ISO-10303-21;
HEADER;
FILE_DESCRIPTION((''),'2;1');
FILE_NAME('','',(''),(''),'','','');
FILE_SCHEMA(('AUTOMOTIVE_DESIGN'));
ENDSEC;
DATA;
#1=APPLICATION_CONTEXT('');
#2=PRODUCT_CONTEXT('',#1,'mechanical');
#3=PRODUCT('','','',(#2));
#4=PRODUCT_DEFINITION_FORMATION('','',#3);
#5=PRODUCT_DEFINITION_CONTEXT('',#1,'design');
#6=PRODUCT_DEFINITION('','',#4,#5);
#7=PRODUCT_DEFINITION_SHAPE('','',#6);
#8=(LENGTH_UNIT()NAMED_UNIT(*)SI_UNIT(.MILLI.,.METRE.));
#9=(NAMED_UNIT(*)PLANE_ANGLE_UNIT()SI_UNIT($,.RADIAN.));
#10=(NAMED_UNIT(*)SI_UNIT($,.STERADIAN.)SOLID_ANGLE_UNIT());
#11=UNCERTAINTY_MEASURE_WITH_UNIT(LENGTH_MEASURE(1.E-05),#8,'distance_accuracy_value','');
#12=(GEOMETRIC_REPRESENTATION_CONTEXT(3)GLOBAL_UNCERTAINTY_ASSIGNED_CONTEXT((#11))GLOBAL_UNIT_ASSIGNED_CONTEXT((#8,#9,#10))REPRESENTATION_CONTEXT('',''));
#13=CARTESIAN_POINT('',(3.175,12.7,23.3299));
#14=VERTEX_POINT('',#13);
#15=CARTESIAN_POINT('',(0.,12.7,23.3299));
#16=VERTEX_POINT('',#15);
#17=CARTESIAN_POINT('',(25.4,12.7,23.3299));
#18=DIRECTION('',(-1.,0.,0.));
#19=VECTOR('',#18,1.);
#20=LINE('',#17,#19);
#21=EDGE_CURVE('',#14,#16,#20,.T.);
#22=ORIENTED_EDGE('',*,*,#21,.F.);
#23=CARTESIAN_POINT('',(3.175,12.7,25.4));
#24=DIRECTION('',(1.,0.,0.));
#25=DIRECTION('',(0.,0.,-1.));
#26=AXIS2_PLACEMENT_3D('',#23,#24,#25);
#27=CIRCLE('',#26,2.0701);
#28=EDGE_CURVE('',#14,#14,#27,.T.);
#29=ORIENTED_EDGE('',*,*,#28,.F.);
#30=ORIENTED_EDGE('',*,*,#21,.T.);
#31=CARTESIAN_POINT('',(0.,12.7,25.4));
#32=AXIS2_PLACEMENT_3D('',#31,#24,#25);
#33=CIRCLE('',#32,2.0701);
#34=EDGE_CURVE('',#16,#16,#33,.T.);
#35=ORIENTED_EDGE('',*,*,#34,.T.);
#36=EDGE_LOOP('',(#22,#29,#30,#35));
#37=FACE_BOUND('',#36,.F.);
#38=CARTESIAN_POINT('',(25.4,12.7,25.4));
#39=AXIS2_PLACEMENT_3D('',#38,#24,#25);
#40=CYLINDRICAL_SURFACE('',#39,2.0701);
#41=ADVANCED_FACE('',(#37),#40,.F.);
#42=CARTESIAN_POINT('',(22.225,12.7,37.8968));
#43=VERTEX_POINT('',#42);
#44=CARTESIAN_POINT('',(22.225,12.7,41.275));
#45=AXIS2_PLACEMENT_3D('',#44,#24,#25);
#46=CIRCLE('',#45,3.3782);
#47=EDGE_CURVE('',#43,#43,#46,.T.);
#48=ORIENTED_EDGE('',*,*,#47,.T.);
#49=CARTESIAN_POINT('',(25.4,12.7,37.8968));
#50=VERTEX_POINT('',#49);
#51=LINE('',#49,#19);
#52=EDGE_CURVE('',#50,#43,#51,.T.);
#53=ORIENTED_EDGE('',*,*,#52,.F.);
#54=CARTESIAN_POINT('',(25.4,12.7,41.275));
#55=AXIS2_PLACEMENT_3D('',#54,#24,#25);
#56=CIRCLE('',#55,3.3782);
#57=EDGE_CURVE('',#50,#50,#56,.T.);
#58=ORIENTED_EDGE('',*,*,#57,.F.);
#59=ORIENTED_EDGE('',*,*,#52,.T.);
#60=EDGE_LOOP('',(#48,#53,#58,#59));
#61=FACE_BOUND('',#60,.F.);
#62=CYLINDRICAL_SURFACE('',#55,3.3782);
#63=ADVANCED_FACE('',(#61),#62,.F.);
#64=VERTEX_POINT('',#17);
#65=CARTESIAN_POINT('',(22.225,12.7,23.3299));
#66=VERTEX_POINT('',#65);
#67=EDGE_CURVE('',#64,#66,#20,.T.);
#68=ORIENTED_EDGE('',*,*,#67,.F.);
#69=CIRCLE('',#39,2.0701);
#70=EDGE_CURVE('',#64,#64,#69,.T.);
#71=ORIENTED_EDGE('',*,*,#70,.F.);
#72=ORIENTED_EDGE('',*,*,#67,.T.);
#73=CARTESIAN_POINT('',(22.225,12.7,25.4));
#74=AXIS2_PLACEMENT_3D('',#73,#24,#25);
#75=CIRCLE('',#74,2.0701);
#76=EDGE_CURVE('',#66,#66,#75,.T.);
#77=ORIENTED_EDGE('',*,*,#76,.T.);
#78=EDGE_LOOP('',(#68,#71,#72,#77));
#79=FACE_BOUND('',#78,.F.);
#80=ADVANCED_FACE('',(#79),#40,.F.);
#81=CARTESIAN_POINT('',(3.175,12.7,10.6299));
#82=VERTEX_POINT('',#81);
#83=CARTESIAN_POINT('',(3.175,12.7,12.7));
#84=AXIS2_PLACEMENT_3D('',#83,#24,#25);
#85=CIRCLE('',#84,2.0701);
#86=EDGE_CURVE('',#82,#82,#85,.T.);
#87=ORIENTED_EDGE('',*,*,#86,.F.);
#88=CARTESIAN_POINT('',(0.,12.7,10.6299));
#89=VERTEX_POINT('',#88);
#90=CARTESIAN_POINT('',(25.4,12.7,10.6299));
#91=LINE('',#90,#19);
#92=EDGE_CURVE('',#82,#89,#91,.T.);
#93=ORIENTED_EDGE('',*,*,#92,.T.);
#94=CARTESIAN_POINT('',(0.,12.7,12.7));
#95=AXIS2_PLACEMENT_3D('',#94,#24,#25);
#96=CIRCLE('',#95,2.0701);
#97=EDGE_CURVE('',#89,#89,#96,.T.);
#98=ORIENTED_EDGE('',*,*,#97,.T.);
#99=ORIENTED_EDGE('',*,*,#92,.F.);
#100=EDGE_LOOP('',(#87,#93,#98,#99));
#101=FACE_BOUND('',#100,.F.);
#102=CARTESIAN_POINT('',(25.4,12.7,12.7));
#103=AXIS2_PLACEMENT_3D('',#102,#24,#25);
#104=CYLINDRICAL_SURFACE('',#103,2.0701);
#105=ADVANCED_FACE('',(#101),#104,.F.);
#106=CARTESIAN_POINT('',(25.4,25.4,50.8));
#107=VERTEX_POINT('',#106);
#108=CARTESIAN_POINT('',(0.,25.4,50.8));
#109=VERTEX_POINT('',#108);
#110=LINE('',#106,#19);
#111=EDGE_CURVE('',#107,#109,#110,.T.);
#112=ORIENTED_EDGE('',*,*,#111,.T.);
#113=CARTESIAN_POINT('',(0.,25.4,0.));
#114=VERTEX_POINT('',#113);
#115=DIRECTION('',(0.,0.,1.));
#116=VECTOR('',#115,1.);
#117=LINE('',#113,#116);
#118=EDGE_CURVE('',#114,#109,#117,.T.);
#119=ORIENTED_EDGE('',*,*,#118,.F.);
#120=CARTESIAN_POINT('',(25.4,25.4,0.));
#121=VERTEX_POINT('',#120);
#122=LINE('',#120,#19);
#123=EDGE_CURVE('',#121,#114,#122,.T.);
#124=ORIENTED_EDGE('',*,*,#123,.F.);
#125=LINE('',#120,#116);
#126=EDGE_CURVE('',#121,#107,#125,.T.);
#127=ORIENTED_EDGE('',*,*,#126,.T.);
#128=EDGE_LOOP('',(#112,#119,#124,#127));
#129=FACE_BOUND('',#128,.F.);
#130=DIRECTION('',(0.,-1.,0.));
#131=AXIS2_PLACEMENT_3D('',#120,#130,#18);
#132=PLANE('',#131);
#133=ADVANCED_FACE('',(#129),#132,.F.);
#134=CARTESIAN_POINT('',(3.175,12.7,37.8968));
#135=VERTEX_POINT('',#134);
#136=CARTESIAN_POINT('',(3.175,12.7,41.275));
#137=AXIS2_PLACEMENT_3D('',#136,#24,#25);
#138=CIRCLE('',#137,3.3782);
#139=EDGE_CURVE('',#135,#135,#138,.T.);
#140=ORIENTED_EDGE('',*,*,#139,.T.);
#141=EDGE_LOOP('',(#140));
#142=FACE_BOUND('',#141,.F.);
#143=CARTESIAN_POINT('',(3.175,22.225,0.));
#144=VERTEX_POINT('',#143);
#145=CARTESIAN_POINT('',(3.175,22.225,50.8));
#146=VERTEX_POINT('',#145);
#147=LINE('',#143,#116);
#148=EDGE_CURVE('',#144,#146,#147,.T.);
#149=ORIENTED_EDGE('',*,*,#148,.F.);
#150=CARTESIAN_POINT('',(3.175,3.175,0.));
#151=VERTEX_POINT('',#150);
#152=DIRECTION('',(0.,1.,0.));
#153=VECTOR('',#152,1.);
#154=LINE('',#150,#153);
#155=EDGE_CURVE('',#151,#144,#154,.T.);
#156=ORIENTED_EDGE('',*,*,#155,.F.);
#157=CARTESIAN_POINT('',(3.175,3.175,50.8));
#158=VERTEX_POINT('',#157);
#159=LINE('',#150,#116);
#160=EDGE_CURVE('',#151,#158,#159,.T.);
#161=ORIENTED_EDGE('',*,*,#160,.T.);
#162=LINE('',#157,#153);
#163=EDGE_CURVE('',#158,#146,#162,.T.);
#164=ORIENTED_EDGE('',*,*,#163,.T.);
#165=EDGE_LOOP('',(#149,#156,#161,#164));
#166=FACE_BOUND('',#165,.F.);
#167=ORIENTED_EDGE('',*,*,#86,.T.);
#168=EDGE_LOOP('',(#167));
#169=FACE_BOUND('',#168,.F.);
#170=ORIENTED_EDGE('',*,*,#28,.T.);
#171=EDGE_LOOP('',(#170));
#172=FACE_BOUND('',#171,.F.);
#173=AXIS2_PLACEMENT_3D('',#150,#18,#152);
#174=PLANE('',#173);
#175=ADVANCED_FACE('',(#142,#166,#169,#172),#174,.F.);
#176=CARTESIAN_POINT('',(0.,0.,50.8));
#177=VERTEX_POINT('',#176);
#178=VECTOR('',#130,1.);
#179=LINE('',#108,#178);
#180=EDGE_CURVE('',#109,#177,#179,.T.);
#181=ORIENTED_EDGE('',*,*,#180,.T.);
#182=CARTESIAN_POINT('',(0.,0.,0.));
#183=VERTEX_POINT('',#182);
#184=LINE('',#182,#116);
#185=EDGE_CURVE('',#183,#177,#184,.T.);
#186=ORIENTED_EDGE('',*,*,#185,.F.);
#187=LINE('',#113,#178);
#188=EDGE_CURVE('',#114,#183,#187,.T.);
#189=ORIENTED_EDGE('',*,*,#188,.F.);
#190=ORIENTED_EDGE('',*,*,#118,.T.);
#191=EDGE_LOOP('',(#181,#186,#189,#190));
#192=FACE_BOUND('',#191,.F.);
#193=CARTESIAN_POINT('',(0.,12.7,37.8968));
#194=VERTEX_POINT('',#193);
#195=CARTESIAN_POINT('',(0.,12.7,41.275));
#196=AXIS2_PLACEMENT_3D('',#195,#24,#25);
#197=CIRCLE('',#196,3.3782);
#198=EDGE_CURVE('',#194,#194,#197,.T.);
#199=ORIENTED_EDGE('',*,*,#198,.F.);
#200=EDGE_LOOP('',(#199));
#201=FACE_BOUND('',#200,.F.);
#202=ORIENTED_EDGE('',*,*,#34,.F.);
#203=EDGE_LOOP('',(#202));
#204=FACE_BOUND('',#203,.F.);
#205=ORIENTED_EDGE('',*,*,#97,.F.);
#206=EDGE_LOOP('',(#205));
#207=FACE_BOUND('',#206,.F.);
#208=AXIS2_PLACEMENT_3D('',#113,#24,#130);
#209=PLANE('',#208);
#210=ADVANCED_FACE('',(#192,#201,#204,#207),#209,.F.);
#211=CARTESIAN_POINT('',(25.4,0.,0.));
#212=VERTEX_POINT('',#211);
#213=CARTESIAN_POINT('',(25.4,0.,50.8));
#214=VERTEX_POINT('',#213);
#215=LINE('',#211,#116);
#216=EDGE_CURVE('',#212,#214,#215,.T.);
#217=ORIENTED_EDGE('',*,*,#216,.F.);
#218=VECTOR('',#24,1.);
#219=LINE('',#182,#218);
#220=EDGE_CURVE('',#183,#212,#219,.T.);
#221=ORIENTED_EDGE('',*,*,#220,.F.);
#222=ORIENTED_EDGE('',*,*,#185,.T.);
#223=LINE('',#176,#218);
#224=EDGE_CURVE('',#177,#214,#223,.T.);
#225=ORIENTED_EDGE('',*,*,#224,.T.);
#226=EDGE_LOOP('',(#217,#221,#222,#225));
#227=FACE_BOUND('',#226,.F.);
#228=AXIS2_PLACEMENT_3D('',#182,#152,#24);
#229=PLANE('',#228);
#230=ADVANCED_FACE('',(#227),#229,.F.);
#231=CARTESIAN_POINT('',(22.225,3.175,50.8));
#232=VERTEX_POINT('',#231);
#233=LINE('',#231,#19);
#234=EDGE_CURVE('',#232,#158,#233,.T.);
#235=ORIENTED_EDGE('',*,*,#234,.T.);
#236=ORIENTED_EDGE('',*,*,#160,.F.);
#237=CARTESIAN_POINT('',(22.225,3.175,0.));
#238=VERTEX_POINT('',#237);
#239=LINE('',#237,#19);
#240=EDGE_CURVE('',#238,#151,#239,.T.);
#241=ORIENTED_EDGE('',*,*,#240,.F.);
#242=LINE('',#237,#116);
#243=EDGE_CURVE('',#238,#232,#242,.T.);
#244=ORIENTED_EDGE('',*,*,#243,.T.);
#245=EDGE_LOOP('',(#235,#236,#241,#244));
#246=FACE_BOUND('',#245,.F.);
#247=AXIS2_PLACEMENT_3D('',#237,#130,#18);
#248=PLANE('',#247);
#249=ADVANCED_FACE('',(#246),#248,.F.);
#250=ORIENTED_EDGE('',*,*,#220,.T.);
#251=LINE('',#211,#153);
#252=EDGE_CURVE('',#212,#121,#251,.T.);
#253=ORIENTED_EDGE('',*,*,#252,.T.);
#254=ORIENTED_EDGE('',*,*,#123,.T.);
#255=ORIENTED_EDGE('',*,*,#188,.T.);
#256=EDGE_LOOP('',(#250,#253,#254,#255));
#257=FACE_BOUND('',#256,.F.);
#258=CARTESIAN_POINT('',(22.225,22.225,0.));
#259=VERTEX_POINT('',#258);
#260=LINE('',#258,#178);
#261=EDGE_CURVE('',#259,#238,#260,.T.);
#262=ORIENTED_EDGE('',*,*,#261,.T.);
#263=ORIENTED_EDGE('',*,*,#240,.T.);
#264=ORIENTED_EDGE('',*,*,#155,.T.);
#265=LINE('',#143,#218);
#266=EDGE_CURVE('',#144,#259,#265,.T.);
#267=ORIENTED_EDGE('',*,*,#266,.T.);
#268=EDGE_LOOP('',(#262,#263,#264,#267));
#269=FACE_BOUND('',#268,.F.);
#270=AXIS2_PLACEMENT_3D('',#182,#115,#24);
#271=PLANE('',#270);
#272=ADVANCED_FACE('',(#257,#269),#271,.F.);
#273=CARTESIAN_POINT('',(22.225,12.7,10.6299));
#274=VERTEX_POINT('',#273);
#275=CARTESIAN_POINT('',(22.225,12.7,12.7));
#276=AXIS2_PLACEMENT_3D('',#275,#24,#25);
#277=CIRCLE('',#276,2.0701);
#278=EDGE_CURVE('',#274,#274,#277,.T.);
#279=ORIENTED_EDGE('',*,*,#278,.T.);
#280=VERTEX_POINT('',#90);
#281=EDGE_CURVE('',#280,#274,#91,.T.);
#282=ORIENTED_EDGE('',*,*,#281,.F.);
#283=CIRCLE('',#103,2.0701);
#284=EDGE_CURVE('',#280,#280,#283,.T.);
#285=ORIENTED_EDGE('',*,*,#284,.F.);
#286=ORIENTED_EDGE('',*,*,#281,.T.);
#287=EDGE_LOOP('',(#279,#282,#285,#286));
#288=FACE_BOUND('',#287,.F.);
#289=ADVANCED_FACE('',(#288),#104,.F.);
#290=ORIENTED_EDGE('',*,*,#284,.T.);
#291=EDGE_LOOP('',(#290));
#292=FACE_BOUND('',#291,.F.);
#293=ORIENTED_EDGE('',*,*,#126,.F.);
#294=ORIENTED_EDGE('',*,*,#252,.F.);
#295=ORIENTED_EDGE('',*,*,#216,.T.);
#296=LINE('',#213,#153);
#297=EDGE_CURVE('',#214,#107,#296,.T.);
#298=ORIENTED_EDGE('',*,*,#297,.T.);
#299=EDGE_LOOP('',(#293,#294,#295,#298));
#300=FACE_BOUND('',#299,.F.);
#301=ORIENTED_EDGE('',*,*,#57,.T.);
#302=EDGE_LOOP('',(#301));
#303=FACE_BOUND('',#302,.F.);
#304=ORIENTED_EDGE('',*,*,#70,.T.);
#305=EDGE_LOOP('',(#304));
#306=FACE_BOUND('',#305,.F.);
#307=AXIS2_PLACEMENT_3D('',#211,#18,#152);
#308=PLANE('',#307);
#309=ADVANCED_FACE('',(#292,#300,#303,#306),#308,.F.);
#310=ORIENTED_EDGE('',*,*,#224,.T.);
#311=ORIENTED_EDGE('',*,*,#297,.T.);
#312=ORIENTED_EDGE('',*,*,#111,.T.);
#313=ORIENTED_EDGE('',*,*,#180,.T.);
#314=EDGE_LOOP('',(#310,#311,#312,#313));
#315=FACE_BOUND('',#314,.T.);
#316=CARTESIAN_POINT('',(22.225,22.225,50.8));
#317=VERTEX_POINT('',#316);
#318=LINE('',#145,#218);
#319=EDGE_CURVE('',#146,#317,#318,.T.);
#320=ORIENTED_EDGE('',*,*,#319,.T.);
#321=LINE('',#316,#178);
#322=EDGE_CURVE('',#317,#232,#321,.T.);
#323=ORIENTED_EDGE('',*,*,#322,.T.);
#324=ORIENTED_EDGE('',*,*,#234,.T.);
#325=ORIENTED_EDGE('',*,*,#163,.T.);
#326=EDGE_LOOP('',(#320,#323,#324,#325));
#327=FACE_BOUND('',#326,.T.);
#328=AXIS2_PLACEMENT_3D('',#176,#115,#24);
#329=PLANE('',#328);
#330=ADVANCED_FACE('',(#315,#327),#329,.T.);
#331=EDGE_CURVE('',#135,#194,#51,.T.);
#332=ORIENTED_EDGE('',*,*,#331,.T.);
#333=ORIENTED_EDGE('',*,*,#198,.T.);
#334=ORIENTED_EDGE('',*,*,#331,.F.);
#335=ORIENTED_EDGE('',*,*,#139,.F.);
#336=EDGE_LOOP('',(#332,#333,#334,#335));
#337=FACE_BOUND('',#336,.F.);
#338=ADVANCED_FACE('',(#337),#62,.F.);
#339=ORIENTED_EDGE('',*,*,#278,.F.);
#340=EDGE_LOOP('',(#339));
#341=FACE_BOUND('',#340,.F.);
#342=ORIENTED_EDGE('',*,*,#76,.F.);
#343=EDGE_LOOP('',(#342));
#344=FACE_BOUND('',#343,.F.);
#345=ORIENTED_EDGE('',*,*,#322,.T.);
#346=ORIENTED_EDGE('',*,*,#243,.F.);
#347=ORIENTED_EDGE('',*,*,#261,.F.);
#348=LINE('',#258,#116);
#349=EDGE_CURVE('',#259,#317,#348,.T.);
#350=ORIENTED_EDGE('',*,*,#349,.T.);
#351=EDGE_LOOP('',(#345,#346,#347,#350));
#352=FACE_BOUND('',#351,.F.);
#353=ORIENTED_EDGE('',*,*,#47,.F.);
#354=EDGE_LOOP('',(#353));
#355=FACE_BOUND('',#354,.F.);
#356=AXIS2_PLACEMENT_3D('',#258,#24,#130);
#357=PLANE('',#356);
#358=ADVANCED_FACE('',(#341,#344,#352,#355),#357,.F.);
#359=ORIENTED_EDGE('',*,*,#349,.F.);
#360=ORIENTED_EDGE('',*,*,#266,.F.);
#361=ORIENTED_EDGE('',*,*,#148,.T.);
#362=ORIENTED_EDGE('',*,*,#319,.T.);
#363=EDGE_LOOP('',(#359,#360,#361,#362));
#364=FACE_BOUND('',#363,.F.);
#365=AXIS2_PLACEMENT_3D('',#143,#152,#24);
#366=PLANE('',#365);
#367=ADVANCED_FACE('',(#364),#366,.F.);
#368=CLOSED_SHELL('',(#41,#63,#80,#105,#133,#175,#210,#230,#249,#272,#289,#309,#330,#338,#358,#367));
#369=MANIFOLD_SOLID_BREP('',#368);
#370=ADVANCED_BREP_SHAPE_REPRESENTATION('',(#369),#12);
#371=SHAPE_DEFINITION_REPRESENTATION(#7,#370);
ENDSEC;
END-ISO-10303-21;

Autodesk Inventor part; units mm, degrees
ref_plane "YZ Plane" through (0, 0, 0) normal (1, 0, 0) x (0, 1, 0)
ref_plane "XZ Plane" through (0, 0, 0) normal (0, 1, 0) x (-1, 0, 0)
ref_plane "XY Plane" through (0, 0, 0) normal (0, 0, 1) x (1, 0, 0)
sketch "Sketch1" plane through (0, 0, 0) normal (0, 0, 1) x (1, 0, 0)
  line L0 (0, 0) -> (25.4, 0)
  line L1 (25.4, 0) -> (25.4, 25.4)
  line L2 (25.4, 25.4) -> (0, 25.4)
  line L3 (0, 25.4) -> (0, 0)
  line L4 (22.225, 3.175) -> (3.175, 3.175)
  line L5 (3.175, 3.175) -> (3.175, 22.225)
  line L6 (3.175, 22.225) -> (22.225, 22.225)
  line L7 (22.225, 22.225) -> (22.225, 3.175)
  dimension "d0" = 25.4
  dimension "d1" = 25.4
  dimension "d2" = 3.175
extrude "Extrusion1" add sketch "Sketch1" along normal blind 50.8
sketch "Sketch2" plane through (25.4, 0, 0) normal (1, 0, 0) x (0, 0, -1)
  line L0 (0, 0) -> (0, 25.4) projected
  line L1 (-50.8, 0) -> (-50.8, 25.4) projected
  line L2 (0, 0) -> (-50.8, 0) projected
  circle A0 centre (-41.275, 12.7) radius 3.3782
  circle A1 centre (-12.7, 12.7) radius 2.0701
  circle A2 centre (-25.4, 12.7) radius 2.0701
  dimension "d5" = 6.7564
  dimension "d6" = 12.7
  dimension "d7" = 9.525
  dimension "d8" = 4.1402
  dimension "d9" = 12.7
  dimension "d10" = 12.7
  dimension "d13" = 12.7
extrude "Extrusion2" cut sketch "Sketch2" against normal blind 50.8
properties part number "Clapper Inner Cable Hard Stop (2)"
